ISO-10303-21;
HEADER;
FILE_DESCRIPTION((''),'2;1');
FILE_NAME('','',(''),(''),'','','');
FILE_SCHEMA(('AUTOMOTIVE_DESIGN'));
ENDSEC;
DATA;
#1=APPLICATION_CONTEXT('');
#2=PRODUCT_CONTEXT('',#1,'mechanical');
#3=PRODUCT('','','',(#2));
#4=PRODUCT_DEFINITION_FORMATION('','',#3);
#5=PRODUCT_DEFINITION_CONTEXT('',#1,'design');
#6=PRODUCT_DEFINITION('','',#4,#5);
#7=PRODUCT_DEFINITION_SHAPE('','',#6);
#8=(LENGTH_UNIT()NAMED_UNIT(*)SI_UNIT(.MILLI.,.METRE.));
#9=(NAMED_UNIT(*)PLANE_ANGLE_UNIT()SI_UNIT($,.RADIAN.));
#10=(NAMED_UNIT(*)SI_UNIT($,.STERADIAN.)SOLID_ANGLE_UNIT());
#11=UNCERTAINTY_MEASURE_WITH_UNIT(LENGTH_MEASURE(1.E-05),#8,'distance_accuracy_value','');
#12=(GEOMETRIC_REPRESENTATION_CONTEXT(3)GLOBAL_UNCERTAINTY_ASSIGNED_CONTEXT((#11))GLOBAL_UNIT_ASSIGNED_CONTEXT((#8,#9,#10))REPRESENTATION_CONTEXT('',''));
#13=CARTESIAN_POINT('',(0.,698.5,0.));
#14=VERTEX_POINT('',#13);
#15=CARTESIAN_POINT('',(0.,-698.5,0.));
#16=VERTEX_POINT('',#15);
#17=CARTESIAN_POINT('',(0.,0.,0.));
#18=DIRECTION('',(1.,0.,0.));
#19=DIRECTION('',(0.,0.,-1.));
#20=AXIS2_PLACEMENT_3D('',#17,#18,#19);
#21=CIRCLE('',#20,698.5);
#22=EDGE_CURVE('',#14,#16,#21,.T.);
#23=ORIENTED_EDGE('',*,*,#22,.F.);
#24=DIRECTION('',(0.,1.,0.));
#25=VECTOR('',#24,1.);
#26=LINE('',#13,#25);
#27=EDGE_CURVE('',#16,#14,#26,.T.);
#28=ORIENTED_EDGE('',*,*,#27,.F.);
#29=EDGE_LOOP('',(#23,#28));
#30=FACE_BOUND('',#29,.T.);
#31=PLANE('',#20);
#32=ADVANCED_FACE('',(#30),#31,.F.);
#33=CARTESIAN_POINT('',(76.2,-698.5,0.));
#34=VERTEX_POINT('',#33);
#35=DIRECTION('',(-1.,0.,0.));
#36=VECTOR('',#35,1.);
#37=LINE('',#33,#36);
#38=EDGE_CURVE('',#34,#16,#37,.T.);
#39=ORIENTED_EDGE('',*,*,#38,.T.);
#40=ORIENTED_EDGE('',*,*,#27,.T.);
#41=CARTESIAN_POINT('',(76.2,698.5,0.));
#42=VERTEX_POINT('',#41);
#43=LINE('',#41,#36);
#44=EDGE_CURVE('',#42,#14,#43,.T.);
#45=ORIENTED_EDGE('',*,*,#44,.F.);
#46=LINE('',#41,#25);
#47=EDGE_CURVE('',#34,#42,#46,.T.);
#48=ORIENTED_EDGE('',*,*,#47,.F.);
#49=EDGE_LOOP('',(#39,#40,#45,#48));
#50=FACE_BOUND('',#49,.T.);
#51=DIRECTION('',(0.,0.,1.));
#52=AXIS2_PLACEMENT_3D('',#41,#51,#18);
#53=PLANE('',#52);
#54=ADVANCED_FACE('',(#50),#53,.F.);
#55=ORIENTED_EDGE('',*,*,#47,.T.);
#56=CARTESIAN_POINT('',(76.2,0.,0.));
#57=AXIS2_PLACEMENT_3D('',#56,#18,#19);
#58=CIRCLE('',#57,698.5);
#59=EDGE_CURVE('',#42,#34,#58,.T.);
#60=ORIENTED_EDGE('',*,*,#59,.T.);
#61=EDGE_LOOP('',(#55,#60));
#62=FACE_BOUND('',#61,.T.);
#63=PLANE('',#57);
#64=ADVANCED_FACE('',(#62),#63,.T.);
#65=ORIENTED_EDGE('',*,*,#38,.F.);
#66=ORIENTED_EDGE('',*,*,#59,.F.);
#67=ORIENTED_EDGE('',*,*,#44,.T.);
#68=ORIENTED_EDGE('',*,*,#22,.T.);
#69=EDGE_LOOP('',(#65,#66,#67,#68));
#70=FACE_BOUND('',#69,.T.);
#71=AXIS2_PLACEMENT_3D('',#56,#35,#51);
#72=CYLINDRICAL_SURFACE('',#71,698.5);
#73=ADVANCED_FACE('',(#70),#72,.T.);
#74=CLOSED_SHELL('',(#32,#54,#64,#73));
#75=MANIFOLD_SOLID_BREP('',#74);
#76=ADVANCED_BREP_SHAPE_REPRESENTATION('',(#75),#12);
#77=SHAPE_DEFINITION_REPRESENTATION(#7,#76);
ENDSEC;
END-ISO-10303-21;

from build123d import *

# Parameters (mm, degrees)
BOSS_EXTRUDE1_DEPTH = 76.2


with BuildPart() as part:
    # Sketch1 → Boss-Extrude1 (new body)
    with BuildSketch(Plane(origin=(0, 0, 0), x_dir=(0, 0, -1), z_dir=(1, 0, 0))):
        with BuildLine():
            Line((0, 698.5), (0, -698.5))
            ThreePointArc((0, -698.5), (-698.5, 0), (0, 698.5))
        make_face()
    extrude(amount=BOSS_EXTRUDE1_DEPTH)


solid = part.part
